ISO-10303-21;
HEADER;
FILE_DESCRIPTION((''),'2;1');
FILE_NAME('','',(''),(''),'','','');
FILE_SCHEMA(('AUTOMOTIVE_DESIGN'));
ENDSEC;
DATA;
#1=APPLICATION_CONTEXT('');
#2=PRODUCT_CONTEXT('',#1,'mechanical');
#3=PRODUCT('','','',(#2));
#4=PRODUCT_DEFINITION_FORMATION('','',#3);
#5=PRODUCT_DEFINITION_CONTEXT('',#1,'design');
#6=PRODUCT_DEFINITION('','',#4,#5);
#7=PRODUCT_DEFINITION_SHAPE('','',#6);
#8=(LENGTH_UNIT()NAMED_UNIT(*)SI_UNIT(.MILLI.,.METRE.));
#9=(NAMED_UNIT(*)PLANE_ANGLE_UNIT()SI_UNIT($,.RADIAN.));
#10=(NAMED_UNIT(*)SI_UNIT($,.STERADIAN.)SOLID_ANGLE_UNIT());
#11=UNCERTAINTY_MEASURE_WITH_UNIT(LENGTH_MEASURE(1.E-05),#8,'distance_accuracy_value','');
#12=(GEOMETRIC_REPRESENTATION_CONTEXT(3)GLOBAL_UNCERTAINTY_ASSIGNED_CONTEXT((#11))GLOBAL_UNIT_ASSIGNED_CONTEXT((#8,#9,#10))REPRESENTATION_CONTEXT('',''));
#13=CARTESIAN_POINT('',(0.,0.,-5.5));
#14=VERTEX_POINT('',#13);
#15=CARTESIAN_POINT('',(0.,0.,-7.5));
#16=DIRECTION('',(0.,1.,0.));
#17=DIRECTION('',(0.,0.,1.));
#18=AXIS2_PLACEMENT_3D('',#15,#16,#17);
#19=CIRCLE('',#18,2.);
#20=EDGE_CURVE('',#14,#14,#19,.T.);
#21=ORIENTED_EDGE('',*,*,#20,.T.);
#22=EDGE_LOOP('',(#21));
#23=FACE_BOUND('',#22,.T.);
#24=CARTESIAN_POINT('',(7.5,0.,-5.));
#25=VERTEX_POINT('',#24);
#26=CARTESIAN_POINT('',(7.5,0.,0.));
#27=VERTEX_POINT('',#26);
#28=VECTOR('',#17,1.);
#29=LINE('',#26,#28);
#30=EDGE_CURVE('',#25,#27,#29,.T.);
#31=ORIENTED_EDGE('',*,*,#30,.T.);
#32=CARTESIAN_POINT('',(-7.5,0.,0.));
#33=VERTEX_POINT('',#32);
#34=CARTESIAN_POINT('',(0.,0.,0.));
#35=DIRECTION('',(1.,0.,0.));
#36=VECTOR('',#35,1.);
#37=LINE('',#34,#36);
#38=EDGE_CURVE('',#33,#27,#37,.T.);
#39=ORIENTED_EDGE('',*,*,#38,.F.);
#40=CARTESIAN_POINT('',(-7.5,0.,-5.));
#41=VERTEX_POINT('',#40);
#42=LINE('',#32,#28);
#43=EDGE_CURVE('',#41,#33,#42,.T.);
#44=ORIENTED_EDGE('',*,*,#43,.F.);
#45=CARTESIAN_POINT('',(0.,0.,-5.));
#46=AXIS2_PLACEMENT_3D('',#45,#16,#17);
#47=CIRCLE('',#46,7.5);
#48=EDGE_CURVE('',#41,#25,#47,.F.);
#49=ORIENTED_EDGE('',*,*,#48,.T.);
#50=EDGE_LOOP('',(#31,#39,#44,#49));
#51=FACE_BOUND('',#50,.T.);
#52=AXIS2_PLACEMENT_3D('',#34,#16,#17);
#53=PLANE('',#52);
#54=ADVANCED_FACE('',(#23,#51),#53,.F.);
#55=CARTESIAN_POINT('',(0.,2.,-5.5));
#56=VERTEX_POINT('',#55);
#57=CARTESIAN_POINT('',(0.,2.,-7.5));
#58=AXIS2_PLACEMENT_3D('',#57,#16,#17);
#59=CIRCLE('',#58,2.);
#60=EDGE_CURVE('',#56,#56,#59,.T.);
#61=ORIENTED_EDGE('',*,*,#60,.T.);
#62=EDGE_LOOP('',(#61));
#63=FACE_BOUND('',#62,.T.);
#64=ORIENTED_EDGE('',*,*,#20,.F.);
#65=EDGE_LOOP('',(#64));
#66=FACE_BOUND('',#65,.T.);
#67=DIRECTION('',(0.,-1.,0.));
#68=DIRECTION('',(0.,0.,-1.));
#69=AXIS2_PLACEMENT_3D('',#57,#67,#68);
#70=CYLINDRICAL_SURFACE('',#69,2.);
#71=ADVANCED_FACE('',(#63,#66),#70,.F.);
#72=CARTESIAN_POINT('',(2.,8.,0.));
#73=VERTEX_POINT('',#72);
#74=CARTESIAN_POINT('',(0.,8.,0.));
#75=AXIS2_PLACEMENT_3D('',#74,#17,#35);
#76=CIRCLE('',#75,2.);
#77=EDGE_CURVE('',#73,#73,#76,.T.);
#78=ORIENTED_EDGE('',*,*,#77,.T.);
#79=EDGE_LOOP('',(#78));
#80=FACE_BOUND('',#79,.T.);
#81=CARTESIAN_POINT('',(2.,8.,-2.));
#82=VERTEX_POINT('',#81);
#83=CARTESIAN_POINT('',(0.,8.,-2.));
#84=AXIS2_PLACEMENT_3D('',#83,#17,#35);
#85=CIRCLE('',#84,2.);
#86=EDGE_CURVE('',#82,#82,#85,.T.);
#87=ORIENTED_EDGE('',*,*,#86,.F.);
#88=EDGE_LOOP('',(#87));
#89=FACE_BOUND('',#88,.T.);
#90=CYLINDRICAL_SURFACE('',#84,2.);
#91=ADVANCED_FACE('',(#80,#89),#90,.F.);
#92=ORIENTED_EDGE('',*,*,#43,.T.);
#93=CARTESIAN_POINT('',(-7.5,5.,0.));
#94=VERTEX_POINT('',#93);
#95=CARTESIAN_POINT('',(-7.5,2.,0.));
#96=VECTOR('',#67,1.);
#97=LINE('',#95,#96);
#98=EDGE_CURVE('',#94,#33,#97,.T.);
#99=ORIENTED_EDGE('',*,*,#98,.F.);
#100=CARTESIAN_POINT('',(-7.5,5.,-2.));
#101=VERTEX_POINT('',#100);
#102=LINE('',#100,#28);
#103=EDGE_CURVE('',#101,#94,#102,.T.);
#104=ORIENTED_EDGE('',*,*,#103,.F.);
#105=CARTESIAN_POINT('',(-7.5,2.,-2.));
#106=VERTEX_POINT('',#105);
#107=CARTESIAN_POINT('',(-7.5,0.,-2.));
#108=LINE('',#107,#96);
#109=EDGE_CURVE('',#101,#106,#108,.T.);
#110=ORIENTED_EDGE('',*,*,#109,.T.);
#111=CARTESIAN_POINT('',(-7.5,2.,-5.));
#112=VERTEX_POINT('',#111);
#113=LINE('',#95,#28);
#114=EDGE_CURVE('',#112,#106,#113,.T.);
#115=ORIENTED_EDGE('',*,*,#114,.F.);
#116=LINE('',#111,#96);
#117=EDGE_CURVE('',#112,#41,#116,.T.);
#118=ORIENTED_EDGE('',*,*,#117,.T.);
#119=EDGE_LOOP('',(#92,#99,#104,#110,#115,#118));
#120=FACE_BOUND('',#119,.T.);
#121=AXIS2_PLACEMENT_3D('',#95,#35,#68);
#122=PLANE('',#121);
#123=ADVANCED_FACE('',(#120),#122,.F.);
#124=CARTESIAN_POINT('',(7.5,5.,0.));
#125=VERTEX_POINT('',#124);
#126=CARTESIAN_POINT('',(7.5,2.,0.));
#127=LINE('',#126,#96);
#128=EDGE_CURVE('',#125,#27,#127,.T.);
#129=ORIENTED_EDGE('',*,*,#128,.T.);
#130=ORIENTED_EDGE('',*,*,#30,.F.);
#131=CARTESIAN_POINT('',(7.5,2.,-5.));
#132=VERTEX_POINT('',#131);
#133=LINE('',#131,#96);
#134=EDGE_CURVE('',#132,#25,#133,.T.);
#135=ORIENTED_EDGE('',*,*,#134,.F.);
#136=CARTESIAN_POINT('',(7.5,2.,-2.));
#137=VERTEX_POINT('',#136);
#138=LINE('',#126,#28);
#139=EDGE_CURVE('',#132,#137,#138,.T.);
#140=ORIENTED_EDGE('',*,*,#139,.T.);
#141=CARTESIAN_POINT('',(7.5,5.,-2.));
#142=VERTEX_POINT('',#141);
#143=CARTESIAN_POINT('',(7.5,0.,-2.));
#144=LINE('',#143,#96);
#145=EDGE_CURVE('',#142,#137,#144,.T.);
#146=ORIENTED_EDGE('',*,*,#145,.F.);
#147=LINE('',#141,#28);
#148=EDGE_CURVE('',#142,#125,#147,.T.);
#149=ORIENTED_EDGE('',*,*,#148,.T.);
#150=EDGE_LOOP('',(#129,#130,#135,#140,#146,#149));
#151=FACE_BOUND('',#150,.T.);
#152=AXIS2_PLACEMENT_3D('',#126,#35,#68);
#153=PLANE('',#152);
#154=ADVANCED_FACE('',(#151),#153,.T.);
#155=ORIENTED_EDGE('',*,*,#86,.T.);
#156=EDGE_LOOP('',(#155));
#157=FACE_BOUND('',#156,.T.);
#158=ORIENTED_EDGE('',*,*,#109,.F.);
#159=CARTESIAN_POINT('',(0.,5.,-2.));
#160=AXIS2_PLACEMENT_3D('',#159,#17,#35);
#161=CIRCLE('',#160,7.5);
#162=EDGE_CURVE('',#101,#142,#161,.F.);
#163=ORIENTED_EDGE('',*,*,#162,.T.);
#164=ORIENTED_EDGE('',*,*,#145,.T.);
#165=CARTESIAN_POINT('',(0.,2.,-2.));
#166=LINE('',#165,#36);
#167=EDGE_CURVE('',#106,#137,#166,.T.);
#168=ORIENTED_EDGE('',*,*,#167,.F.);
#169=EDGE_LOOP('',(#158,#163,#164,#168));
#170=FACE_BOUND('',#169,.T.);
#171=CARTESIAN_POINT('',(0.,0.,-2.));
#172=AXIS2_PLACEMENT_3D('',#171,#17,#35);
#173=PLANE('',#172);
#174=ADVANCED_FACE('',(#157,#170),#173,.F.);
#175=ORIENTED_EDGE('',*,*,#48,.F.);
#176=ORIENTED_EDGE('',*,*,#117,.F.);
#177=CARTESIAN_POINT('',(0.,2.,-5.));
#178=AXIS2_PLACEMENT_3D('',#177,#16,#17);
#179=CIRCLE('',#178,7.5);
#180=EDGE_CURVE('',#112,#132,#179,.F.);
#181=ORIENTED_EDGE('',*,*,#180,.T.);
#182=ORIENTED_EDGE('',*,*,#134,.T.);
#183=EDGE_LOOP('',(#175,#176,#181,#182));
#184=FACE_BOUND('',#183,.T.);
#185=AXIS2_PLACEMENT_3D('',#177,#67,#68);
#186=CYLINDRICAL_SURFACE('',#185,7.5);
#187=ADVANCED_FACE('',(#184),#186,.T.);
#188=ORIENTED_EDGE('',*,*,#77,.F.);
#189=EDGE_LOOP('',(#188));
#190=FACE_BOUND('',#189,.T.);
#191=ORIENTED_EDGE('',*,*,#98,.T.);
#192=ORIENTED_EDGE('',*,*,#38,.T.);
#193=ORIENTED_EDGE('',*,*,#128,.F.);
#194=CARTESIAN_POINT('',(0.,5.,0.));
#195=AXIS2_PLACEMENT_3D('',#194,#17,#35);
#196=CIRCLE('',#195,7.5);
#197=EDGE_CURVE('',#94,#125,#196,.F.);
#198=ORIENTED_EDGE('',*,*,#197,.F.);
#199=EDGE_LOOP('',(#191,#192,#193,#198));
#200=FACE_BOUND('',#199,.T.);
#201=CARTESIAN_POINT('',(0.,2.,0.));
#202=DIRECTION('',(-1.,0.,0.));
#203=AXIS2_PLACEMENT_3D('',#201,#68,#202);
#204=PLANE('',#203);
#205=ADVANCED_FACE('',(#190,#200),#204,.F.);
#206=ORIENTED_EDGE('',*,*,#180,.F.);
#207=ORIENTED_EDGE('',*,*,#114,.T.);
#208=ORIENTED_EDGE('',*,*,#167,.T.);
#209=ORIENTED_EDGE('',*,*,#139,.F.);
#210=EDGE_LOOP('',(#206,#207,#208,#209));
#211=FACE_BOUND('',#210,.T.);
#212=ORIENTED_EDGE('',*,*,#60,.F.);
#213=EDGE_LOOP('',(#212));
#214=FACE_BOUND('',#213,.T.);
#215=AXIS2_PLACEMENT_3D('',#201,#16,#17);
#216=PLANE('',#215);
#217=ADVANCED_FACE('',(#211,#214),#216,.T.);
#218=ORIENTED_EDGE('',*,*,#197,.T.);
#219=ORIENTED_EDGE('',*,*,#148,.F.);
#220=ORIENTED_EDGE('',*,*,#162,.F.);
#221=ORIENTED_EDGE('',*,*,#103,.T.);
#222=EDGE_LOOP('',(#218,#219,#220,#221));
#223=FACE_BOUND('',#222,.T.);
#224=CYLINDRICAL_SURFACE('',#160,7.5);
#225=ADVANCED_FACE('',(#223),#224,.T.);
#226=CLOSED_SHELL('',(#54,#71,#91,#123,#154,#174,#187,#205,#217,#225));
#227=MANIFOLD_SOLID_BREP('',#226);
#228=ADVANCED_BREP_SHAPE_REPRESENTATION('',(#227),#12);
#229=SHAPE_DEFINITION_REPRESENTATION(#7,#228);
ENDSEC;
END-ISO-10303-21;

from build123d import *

# Parameters (mm, degrees)
SKETCH_2_R      = 2
SKETCH_2_W      = 15
SKETCH_2_H      = 5
EXTRUDE_1_DEPTH = 2
SKETCH_1_W      = 15
SKETCH_1_H      = 5
SKETCH_1_R      = 2
EXTRUDE_2_DEPTH = 2


with BuildPart() as part:
    # 草图2 → 凸台-拉伸1 (new body)
    # profile 1 of 2: a face of its own
    with BuildSketch(Plane(origin=(0, 0, 0), x_dir=(1, 0, 0), z_dir=(0, 1, 0))):
        with BuildLine():
            ThreePointArc((-7.5, 5), (0, 12.5), (7.5, 5))
            Line((7.5, 5), (-7.5, 5))
        make_face()
        with Locations(Location((0, 7.5, 0), (0, 0, 270))):
            Circle(SKETCH_2_R, mode=Mode.SUBTRACT)
    # profile 2 of 2: a face of its own
    with BuildSketch(Plane(origin=(0, 0, 0), x_dir=(1, 0, 0), z_dir=(0, 1, 0))):
        with Locations((0, 2.5)):
            Rectangle(SKETCH_2_W, SKETCH_2_H)
    extrude(amount=EXTRUDE_1_DEPTH)

    # 草图1 → 凸台-拉伸2 (add)
    # profile 1 of 2: a face of its own
    with BuildSketch(Plane.XY):
        with Locations((0, 2.5)):
            Rectangle(SKETCH_1_W, SKETCH_1_H)
    # profile 2 of 2: a face of its own
    with BuildSketch(Plane.XY):
        with BuildLine():
            ThreePointArc((-7.5, 5), (0, 12.5), (7.5, 5))
            Line((7.5, 5), (-7.5, 5))
        make_face()
        with Locations((0, 8)):
            Circle(SKETCH_1_R, mode=Mode.SUBTRACT)
    extrude(amount=-EXTRUDE_2_DEPTH)


solid = part.part
